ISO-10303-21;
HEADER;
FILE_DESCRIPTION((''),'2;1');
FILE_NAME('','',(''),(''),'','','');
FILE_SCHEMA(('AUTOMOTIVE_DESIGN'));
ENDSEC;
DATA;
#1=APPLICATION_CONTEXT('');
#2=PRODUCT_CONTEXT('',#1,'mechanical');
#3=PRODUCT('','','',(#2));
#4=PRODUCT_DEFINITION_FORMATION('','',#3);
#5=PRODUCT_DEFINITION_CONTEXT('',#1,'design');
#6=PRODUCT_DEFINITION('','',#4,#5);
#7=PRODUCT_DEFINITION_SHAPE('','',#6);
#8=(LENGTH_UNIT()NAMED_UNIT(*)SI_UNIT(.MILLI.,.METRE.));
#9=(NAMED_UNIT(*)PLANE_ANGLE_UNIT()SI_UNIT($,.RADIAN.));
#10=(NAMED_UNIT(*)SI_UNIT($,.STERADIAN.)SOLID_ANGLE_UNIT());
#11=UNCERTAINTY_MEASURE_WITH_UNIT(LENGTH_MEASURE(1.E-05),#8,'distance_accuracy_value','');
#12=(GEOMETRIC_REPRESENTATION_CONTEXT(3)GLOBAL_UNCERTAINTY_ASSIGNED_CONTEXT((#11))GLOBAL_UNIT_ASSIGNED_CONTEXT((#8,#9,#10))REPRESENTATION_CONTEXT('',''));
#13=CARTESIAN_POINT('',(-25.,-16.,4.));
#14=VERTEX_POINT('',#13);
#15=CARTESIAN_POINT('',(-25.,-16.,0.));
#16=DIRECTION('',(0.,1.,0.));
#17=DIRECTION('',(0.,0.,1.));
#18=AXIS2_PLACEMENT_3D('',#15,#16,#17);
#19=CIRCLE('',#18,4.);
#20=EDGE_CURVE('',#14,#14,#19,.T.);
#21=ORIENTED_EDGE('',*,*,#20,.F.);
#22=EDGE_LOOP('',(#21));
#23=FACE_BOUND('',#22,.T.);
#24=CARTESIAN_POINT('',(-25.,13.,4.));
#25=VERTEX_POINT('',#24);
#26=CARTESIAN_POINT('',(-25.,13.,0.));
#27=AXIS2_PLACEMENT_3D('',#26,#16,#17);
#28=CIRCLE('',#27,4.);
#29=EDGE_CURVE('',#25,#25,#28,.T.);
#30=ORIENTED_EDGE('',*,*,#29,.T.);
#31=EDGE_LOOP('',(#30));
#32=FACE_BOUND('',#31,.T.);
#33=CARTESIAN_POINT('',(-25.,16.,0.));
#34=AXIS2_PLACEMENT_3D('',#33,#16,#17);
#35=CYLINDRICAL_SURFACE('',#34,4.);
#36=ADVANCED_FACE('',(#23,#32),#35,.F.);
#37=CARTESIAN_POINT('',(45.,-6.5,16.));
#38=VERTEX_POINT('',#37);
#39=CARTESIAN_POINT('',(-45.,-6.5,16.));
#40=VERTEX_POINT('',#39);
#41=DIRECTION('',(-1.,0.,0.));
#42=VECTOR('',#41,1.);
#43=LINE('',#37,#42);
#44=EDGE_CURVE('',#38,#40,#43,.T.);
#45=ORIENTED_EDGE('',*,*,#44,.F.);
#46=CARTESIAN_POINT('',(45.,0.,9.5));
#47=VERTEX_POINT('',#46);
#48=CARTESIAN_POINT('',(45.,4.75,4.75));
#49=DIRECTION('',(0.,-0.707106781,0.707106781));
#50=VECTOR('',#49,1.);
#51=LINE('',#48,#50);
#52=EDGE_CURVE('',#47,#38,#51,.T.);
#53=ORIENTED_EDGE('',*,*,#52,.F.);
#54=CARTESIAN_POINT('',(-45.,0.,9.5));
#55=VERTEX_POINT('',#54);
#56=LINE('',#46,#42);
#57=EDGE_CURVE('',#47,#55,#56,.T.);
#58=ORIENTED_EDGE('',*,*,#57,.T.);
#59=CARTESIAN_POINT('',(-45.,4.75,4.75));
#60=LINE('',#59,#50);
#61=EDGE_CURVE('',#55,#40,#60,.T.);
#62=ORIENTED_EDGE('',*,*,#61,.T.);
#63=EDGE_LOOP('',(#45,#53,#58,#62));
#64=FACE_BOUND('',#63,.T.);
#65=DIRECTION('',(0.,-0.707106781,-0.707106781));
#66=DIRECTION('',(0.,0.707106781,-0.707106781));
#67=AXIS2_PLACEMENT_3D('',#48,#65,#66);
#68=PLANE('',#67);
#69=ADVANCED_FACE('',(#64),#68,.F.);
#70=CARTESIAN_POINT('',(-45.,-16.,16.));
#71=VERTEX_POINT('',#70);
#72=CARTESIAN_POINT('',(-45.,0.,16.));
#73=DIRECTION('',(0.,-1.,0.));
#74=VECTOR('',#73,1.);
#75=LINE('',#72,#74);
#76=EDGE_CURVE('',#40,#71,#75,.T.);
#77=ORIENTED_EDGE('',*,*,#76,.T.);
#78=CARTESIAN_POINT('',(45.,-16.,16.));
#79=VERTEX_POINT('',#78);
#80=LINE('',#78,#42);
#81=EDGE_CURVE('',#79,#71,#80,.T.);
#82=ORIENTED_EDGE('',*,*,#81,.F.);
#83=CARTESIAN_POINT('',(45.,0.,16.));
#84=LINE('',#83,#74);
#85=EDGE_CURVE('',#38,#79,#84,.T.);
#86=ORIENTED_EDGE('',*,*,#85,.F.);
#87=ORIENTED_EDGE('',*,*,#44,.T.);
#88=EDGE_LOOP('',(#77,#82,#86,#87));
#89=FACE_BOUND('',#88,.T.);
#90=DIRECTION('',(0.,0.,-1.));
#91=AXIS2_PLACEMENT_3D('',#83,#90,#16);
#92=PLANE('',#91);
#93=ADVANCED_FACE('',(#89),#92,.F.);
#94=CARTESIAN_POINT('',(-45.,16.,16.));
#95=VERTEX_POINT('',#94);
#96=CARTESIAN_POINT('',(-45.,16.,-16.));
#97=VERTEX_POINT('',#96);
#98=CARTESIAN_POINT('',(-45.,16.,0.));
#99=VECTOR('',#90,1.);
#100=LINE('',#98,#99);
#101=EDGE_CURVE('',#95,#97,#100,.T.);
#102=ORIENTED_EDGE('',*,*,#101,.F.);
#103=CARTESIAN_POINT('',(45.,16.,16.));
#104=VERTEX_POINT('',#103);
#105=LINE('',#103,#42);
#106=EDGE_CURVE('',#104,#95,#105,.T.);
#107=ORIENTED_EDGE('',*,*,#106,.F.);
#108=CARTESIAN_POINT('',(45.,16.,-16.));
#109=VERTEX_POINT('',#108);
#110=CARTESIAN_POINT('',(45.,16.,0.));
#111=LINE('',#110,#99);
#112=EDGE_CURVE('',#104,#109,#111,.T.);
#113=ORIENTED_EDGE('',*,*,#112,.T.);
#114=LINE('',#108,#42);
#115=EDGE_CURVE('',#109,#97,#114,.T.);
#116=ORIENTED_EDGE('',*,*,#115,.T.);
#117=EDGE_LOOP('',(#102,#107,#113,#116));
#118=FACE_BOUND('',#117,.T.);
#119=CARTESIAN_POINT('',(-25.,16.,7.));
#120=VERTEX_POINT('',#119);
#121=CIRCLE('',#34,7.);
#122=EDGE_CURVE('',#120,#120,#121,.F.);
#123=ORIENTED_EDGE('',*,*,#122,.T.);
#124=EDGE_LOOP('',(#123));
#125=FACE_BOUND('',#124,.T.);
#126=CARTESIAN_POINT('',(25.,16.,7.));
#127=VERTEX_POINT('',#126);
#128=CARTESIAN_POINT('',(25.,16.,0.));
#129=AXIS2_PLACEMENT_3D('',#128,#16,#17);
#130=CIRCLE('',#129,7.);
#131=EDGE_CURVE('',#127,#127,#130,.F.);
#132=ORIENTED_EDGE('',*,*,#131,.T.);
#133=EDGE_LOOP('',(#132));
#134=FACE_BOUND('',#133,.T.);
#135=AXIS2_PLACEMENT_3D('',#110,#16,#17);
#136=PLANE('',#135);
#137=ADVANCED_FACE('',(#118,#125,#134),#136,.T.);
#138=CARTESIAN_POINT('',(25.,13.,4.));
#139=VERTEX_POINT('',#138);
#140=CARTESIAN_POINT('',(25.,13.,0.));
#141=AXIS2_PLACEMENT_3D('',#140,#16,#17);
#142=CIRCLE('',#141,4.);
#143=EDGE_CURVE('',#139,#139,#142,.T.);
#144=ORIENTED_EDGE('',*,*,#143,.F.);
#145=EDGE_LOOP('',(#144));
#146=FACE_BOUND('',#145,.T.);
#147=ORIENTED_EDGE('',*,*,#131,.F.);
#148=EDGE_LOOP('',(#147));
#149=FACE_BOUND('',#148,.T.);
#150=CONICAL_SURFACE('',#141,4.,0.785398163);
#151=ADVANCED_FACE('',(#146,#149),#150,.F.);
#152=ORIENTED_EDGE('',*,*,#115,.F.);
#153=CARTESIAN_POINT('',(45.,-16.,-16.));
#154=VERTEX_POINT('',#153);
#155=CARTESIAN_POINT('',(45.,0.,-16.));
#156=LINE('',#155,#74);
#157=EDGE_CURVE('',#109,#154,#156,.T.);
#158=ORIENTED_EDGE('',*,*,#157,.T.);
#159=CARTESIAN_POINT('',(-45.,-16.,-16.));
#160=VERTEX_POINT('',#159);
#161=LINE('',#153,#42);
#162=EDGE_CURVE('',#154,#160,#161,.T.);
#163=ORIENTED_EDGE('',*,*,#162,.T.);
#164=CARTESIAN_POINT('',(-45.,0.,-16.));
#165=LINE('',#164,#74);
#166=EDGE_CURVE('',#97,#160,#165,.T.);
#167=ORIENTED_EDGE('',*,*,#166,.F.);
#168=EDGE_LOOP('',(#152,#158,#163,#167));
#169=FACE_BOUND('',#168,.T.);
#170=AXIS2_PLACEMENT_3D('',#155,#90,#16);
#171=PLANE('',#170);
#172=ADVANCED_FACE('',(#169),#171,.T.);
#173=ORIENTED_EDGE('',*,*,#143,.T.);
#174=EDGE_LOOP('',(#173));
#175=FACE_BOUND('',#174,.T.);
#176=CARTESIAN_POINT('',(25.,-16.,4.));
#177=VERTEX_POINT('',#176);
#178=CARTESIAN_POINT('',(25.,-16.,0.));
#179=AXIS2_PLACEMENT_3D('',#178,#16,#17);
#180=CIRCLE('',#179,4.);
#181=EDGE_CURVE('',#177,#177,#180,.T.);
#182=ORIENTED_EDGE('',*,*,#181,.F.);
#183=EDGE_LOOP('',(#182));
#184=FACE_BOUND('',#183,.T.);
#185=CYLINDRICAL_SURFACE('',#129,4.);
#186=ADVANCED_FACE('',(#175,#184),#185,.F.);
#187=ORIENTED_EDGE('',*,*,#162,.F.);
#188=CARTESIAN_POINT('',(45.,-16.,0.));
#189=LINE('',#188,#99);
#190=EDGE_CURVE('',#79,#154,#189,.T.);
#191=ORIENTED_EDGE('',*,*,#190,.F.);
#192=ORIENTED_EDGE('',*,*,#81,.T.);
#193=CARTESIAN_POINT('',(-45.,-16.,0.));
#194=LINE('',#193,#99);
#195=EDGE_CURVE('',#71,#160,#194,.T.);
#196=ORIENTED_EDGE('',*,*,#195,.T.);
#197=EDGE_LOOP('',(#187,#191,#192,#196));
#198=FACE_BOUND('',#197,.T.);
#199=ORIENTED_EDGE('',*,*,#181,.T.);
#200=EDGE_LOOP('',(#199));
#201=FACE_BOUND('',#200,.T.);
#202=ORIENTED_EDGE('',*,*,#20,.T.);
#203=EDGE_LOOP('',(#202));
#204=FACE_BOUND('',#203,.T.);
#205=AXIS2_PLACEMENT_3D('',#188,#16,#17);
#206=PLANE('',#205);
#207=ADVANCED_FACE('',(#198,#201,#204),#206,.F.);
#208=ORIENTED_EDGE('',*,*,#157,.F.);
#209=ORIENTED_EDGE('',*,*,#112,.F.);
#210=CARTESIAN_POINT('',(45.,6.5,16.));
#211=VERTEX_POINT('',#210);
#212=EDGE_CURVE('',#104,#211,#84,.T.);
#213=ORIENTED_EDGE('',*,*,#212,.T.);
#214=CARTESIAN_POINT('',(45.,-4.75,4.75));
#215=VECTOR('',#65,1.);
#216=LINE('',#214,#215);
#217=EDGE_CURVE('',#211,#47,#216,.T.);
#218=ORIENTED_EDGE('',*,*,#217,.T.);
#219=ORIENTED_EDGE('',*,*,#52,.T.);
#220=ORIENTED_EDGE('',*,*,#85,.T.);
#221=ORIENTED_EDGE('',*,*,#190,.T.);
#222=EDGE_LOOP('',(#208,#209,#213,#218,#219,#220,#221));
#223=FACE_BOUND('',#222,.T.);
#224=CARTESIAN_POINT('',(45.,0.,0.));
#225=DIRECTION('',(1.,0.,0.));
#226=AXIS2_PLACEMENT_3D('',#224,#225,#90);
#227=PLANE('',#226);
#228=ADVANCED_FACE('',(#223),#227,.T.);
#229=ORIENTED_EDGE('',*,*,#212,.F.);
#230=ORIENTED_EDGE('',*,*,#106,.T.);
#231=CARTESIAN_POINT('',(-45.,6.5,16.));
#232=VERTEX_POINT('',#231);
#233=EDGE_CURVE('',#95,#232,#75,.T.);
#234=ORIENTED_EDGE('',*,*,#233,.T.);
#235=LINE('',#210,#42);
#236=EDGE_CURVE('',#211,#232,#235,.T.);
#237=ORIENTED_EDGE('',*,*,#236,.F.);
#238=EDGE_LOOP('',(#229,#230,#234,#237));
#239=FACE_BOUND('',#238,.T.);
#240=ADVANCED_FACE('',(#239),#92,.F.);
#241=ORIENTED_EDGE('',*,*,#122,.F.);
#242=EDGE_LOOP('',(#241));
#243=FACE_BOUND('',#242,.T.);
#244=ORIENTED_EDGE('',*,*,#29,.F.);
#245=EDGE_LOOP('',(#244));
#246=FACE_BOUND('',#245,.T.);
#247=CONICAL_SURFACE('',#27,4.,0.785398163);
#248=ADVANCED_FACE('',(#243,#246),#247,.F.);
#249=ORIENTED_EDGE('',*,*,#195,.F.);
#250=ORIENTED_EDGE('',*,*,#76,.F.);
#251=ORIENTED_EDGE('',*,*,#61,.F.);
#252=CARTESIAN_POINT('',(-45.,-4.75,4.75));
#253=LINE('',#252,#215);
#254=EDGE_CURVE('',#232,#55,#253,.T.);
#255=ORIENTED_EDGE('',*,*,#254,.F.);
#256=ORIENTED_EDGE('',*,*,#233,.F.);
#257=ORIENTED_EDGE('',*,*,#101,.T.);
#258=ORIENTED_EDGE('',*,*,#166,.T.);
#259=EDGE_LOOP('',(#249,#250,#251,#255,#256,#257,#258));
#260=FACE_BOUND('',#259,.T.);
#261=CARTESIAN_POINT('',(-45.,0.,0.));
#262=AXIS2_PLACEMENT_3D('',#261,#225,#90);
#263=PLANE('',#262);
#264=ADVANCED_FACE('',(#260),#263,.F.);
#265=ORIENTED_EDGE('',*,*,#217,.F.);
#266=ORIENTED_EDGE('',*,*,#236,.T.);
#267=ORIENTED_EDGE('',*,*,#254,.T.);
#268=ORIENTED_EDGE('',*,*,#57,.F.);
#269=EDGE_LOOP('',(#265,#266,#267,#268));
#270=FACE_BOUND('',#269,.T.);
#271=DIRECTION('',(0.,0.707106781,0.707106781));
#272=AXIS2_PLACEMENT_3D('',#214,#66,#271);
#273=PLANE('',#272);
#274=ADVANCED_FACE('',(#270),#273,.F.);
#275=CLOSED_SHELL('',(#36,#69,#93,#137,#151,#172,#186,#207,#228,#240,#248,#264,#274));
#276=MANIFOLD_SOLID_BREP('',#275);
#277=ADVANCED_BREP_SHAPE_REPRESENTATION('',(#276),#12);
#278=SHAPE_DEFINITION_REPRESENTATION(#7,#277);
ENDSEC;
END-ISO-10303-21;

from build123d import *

# Parameters (mm, degrees)
BOSS_EXTRUDE1_DEPTH   = 45
F_1_0MM_DOWEL_HOLE1_D = 8
CHAMFER1_SIZE         = 3


with BuildPart() as part:
    # Sketch1 → Boss-Extrude1 (new, symmetric)
    with BuildSketch(Plane(origin=(0, 0, 0), x_dir=(0, 0, -1), z_dir=(1, 0, 0))):
        Polygon((-16, 16), (-16, 6.5), (-9.5, 0), (-16, -6.5), (-16, -16), (16, -16), (16, 16), align=None)
    extrude(amount=BOSS_EXTRUDE1_DEPTH, both=True)

    # Ø1.0mm Dowel Hole1 (through all)
    with Locations(Plane(origin=(0, 16, 0), x_dir=(1, 0, 0), z_dir=(0, 1, 0))):
        with Locations((25, 0), (-25, 0)):
            Hole(F_1_0MM_DOWEL_HOLE1_D / 2)

    # Chamfer1
    chamfer1_edges = [part.edges().sort_by_distance(p)[0] for p in [
        (-21, 16, 0),
        (29, 16, 0),
    ]]
    chamfer(chamfer1_edges, length=CHAMFER1_SIZE)


solid = part.part
